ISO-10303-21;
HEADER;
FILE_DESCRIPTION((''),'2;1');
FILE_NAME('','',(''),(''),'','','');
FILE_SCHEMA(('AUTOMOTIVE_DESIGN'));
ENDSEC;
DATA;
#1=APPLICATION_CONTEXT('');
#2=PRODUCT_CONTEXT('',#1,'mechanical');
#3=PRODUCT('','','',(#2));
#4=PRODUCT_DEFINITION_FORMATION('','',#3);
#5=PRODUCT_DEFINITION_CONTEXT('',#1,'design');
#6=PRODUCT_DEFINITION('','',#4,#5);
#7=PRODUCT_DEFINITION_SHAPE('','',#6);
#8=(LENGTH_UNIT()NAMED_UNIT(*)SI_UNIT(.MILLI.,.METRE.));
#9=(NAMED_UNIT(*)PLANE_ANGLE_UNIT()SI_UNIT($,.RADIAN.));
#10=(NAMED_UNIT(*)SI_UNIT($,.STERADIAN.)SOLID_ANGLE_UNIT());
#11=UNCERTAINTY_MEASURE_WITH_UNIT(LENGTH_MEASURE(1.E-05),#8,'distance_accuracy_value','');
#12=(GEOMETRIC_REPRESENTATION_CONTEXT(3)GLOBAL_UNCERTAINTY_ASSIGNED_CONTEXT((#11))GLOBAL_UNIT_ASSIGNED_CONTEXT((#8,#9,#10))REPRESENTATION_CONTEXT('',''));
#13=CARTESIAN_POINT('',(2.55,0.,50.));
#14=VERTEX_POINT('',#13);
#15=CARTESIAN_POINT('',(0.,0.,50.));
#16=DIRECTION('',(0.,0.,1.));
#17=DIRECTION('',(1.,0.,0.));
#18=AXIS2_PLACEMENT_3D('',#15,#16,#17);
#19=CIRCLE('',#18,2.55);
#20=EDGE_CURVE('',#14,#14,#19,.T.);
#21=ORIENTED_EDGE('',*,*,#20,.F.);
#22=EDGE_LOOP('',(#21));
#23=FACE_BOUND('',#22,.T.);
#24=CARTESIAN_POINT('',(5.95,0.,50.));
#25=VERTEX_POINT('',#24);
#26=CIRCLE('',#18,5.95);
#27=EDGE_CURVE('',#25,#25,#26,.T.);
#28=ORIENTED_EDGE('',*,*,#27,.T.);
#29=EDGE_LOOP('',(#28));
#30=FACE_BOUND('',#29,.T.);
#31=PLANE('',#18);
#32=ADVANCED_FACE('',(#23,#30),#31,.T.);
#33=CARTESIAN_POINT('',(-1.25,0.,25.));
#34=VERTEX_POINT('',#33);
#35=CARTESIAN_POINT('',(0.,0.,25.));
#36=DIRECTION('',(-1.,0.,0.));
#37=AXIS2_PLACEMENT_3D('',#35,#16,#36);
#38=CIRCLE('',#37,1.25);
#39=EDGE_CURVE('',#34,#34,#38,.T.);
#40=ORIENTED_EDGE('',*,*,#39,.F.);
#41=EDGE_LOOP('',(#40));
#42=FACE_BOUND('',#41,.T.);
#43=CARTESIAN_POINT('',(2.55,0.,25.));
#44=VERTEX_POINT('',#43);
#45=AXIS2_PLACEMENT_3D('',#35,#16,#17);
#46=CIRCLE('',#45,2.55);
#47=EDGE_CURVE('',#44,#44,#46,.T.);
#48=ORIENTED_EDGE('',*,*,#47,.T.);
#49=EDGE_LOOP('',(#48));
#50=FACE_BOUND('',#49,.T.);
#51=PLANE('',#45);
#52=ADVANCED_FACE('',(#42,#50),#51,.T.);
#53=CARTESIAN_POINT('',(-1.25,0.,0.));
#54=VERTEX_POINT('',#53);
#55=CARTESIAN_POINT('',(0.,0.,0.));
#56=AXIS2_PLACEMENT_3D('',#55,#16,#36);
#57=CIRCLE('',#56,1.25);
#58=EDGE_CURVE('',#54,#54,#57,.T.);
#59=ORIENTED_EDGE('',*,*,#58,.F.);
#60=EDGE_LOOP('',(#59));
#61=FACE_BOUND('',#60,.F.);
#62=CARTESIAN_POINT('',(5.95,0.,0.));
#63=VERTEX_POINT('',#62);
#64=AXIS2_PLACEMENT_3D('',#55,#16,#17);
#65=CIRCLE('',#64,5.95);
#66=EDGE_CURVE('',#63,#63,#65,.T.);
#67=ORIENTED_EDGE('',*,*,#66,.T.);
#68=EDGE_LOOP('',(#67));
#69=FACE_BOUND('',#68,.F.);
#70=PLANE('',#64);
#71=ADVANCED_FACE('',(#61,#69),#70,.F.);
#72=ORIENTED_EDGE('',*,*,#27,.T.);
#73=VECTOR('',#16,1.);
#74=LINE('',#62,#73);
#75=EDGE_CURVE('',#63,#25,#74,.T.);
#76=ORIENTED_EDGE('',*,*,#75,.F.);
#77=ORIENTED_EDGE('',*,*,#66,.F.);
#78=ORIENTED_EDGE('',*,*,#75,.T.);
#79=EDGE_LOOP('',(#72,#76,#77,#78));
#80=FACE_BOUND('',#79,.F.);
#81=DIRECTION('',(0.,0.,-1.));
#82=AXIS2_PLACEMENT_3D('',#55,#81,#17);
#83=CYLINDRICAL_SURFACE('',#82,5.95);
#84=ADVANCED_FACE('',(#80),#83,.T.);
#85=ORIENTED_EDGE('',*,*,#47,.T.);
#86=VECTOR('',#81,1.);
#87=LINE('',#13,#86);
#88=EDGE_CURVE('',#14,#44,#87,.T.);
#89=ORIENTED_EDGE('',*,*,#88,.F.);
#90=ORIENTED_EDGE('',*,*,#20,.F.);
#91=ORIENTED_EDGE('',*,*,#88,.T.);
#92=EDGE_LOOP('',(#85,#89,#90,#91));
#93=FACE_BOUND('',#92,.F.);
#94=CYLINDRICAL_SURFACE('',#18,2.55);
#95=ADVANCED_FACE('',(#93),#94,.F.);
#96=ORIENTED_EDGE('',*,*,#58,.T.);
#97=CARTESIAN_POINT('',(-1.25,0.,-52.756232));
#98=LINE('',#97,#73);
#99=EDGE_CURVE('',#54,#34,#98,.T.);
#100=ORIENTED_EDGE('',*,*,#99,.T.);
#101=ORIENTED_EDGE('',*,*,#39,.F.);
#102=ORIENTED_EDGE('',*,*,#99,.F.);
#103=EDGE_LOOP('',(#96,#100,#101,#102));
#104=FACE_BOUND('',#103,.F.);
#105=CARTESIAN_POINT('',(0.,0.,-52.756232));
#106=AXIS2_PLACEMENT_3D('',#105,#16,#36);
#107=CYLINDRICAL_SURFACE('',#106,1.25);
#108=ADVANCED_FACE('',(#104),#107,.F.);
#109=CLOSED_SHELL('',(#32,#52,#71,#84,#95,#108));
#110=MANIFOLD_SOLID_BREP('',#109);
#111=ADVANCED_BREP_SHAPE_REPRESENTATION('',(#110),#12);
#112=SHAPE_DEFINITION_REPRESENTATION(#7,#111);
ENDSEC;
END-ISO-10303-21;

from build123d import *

# Parameters (mm, degrees)
F0_R     = 5.95
F1_DEPTH = 50
F3_D     = 2.5
F4_R     = 2.55
F4_R_2   = 1.25
F5_DEPTH = 25


with BuildPart() as f1:
    # F0 (on Top) → F1 (new body)
    with BuildSketch(Plane.XY):
        Circle(F0_R)
    extrude(amount=F1_DEPTH)

    # F3 (through all)
    with Locations(Plane(origin=(0, 0, 0), x_dir=(1, 0, 0), z_dir=(0, 0, -1))):
        with Locations((0, 0)):
            Hole(F3_D / 2)

    # F4 (on face) → F5 (cut)
    with BuildSketch(Plane.XY.offset(50)):
        Circle(F4_R)
        Circle(F4_R_2, mode=Mode.SUBTRACT)
    extrude(amount=-F5_DEPTH, mode=Mode.SUBTRACT)


solid = f1.part
